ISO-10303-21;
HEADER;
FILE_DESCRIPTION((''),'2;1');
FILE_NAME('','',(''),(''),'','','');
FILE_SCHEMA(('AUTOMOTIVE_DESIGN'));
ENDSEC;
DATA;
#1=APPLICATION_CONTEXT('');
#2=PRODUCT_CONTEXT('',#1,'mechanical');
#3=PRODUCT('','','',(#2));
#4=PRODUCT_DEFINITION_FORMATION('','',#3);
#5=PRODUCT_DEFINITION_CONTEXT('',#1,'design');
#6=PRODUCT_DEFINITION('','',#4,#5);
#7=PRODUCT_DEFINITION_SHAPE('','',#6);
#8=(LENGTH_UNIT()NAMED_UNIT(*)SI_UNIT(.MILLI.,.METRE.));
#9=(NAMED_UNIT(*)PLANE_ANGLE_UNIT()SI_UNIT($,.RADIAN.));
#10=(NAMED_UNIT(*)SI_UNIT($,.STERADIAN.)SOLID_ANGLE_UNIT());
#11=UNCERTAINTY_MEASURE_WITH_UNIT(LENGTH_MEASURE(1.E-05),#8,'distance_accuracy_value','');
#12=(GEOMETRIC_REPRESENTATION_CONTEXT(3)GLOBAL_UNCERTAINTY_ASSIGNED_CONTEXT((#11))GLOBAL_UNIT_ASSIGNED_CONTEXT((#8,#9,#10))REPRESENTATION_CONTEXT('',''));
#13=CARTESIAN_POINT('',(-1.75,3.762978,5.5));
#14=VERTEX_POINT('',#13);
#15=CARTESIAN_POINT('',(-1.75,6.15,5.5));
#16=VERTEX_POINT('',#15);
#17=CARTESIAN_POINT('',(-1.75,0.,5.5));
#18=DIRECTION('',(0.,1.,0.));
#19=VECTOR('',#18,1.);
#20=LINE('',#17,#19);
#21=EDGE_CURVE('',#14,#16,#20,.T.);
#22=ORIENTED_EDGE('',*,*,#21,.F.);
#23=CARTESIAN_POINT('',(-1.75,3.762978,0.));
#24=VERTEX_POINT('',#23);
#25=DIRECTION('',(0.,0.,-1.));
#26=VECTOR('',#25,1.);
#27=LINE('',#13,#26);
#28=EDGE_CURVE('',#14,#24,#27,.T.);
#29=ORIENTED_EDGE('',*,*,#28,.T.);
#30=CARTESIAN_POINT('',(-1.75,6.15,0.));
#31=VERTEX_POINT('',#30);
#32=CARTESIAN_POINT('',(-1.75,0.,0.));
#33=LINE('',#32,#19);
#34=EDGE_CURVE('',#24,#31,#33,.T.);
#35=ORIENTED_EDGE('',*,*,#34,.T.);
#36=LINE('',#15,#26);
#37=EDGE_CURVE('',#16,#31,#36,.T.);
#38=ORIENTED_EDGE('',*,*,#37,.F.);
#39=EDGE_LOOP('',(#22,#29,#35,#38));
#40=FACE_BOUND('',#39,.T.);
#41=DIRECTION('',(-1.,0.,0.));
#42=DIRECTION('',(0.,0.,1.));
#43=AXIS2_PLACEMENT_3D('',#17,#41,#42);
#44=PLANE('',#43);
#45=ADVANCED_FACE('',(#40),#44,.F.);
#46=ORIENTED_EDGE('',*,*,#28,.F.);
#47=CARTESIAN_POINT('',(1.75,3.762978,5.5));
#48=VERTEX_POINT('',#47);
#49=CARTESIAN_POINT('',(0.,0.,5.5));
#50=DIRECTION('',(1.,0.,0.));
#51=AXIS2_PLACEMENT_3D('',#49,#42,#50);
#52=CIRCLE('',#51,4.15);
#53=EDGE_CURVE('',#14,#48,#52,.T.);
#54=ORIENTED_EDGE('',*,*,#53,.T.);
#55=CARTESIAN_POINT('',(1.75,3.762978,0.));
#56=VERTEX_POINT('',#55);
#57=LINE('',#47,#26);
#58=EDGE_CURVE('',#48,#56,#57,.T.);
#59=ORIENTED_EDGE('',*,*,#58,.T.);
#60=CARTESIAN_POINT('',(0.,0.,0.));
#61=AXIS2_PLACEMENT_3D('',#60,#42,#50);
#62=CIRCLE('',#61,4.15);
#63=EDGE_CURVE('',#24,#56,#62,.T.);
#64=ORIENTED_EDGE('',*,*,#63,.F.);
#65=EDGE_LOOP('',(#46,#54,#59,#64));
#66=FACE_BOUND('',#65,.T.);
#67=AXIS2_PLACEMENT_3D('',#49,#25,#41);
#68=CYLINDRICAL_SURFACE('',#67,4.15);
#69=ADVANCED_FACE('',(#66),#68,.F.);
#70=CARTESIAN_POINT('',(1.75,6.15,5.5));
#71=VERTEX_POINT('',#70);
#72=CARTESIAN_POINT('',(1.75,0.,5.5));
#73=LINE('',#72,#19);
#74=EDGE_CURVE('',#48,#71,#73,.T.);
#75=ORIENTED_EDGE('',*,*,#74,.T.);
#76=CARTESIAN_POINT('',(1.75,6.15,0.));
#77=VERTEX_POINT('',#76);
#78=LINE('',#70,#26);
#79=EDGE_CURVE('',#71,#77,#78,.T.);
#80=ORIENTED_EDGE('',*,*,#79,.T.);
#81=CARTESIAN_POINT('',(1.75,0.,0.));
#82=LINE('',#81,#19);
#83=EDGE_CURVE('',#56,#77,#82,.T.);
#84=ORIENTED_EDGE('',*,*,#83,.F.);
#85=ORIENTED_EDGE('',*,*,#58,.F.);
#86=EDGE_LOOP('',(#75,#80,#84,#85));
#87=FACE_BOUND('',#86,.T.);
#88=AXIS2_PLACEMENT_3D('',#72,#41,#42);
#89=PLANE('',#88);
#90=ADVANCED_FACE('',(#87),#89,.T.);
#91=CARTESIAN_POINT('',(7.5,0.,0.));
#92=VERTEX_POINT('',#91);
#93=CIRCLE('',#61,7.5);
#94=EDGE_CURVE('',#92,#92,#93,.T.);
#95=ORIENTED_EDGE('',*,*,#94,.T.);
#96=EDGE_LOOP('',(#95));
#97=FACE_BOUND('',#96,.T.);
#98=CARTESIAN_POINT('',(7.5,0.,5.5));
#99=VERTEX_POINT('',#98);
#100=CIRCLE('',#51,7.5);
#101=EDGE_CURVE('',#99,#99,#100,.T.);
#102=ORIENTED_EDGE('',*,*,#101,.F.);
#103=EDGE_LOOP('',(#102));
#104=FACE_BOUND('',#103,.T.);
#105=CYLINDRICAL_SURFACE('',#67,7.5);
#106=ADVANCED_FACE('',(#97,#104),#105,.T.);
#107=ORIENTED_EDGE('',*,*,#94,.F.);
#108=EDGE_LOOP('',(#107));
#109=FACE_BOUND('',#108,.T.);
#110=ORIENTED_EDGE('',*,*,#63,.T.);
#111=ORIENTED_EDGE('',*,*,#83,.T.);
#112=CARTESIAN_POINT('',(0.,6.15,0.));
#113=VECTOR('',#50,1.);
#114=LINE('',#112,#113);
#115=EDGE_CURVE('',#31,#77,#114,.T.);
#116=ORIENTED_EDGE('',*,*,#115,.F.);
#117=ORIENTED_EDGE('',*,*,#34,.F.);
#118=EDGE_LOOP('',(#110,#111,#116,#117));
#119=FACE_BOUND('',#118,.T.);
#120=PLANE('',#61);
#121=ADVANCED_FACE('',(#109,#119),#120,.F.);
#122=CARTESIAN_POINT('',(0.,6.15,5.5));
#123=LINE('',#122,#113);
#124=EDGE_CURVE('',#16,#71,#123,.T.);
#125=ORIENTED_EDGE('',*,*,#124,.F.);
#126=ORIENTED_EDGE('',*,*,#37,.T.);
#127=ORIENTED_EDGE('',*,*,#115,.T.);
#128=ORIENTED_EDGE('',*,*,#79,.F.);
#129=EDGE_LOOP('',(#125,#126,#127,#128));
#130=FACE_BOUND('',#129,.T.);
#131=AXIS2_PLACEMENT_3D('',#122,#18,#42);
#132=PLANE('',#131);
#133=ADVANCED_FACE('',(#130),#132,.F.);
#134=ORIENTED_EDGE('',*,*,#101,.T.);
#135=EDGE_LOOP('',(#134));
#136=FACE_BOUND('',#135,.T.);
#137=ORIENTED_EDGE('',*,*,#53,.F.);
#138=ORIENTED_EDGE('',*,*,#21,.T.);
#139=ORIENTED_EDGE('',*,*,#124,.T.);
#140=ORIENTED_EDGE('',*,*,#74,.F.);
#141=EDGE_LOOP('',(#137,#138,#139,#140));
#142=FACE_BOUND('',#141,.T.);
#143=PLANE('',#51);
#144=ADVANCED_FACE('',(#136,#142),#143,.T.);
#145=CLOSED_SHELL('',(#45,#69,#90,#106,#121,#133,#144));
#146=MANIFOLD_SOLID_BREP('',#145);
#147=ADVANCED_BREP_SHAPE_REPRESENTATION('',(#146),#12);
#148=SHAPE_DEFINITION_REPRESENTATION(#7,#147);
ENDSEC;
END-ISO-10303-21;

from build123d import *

# Parameters (mm, degrees)
SKIZZE1_R                       = 7.5
AUFSATZ_LINEAR_AUSTRAGEN1_DEPTH = 5.5


with BuildPart() as part:
    # Skizze1 → Aufsatz-Linear austragen1 (new body)
    with BuildSketch(Plane.XY):
        Circle(SKIZZE1_R)
        with BuildLine():
            ThreePointArc((4.15, 0), (-2.23159136, -3.498928407), (-1.75, 3.762977544))
            Line((-1.75, 3.762977544), (-1.75, 6.15))
            Line((-1.75, 6.15), (1.75, 6.15))
            Line((1.75, 6.15), (1.75, 3.762977544))
            ThreePointArc((1.75, 3.762977544), (3.498928407, 2.23159136), (4.15, 0))
        make_face(mode=Mode.SUBTRACT)
    extrude(amount=AUFSATZ_LINEAR_AUSTRAGEN1_DEPTH)


solid = part.part
